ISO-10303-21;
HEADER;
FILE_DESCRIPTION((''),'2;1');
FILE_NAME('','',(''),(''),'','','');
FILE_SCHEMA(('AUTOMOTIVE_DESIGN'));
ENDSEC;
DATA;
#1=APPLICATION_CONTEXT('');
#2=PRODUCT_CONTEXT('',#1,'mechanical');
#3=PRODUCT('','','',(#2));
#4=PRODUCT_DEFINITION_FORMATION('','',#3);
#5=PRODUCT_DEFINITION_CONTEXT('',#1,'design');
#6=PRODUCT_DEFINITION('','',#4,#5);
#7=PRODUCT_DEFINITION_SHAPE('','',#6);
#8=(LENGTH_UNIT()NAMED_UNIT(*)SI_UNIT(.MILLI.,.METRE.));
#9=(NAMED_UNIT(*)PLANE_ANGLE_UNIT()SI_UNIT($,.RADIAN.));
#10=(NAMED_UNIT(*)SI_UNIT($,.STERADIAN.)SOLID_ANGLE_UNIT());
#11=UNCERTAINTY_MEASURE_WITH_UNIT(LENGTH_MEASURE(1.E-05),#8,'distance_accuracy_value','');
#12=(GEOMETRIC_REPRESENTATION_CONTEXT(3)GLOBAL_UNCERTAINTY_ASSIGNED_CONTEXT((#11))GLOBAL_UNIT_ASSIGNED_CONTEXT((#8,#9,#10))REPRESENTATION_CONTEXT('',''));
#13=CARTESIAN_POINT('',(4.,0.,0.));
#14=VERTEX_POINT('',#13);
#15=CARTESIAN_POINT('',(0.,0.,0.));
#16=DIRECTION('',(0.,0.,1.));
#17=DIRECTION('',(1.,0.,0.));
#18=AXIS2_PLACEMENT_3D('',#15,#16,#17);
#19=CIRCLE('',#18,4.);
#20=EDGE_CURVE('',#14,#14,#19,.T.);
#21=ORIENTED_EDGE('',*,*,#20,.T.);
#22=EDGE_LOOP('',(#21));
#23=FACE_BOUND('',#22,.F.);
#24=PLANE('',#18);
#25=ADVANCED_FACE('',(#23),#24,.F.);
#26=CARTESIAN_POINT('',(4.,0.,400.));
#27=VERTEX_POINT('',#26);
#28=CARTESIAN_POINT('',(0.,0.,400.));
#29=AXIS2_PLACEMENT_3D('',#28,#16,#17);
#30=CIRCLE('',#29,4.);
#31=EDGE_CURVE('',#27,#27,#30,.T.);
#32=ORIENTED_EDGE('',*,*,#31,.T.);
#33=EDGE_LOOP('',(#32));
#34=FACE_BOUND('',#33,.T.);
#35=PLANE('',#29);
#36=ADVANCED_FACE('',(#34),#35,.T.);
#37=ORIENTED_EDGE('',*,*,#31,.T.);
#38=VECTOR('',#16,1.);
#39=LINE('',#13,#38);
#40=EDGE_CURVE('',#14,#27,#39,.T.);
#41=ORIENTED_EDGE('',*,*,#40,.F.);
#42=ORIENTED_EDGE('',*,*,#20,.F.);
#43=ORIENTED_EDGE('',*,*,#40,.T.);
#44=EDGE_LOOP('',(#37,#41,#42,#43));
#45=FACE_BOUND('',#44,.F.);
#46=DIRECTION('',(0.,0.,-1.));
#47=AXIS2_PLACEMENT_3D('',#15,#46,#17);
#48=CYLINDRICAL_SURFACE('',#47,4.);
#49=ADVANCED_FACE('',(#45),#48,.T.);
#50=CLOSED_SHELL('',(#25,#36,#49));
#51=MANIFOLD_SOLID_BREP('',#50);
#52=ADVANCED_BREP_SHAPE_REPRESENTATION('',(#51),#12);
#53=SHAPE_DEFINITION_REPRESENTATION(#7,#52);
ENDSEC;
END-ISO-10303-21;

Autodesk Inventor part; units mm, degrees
ref_plane "YZ Plane" through (0, 0, 0) normal (1, 0, 0) x (0, 1, 0)
ref_plane "XZ Plane" through (0, 0, 0) normal (0, 1, 0) x (-1, 0, 0)
ref_plane "XY Plane" through (0, 0, 0) normal (0, 0, 1) x (1, 0, 0)
sketch "Sketch1" plane through (0, 0, 0) normal (0, 0, 1) x (1, 0, 0)
  circle A0 centre (0, 0) radius 4
  dimension "d0" = 8
extrude "Extrusion1" add sketch "Sketch1" along normal blind 400
properties part number "x axis 8mm rod"
